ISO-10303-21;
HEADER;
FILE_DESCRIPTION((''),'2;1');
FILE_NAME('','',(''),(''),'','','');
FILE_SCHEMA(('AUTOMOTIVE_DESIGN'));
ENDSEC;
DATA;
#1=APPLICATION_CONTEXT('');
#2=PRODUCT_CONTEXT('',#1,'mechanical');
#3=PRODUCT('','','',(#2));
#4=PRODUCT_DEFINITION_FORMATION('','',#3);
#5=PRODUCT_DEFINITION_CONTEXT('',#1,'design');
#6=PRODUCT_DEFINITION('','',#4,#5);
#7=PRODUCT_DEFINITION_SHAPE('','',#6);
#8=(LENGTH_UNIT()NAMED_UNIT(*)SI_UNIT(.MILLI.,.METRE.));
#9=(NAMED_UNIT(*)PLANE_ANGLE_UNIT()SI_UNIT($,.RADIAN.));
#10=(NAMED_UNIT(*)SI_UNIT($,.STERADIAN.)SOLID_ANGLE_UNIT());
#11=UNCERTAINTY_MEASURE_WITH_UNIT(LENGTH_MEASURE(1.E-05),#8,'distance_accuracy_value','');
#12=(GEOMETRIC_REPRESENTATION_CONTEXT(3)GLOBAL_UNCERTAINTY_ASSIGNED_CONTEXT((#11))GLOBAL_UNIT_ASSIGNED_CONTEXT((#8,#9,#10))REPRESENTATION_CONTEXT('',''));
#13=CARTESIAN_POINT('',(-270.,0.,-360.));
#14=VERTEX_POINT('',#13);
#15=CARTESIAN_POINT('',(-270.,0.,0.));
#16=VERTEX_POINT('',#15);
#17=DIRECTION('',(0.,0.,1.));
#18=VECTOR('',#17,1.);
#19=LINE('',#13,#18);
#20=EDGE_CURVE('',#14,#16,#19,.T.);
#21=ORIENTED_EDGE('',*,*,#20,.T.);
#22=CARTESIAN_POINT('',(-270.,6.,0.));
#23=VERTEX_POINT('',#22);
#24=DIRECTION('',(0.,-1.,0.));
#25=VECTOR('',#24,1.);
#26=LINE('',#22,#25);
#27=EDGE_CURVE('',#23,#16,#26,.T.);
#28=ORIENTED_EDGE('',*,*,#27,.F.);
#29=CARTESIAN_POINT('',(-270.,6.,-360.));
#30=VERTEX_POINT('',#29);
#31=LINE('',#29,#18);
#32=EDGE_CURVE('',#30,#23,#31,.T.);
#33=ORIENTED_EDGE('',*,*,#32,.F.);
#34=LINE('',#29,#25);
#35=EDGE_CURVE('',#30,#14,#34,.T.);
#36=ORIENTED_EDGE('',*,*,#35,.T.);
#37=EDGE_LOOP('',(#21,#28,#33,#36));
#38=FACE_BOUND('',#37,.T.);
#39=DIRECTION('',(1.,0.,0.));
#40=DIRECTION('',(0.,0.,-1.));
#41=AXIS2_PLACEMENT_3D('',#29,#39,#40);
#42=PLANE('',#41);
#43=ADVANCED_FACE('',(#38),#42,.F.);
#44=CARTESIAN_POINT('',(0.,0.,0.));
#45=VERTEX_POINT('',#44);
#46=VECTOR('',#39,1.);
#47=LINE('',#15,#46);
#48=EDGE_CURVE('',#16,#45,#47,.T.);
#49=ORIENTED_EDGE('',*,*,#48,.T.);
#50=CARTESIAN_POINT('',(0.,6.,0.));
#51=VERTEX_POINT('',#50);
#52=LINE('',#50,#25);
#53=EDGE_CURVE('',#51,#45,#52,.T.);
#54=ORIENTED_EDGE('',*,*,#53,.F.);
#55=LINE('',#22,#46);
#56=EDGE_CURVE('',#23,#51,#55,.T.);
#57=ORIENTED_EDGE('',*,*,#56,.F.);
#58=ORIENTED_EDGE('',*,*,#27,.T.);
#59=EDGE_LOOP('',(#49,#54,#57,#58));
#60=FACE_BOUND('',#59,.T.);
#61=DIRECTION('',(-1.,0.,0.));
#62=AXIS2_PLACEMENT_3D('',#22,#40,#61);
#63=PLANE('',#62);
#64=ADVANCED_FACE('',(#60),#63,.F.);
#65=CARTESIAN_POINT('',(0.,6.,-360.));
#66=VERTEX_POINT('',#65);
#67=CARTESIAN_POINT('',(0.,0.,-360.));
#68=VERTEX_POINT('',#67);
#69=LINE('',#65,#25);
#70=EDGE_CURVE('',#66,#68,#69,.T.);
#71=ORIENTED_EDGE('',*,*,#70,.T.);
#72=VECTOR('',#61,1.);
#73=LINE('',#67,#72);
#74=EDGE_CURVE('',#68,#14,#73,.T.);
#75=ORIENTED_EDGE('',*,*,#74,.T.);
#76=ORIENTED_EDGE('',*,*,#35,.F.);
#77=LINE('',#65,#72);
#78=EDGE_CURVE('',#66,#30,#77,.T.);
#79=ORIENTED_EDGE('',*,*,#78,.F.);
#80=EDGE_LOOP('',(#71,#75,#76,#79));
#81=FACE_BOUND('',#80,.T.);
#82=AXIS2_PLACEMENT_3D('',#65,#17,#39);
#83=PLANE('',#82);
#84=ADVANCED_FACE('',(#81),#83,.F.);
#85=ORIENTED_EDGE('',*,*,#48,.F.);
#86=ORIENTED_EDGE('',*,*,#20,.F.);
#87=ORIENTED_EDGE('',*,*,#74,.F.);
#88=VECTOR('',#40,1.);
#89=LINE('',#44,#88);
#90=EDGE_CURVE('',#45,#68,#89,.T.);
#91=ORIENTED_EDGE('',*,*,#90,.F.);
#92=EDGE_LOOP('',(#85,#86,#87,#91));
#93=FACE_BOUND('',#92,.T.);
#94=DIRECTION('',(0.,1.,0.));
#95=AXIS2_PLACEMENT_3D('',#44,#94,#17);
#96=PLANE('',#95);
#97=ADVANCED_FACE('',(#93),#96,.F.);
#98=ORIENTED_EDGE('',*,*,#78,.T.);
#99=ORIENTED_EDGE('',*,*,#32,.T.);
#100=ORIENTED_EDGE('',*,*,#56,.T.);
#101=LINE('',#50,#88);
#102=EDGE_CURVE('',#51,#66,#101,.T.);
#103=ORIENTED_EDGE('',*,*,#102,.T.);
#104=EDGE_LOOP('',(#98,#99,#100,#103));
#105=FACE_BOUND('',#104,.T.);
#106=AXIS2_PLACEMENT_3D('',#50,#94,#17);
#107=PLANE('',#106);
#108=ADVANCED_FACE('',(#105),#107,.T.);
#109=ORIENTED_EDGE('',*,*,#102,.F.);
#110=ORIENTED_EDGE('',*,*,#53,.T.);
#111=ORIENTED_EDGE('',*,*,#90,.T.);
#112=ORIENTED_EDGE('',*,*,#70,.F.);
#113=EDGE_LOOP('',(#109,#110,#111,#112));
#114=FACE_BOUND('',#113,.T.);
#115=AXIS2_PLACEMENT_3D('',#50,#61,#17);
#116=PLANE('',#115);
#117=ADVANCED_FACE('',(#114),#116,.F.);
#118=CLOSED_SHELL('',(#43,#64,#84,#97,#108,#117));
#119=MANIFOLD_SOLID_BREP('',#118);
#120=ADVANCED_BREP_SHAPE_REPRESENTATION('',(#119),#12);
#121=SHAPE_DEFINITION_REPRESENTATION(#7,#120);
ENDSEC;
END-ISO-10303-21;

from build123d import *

# Parameters (mm, degrees)
ESBO_O1_W                = 270
ESBO_O1_H                = 360
RESSALTO_EXTRUS_O1_DEPTH = 6


with BuildPart() as part:
    # Esboço1 → Ressalto-extrusão1 (new body)
    with BuildSketch(Plane(origin=(0, 0, 0), x_dir=(1, 0, 0), z_dir=(0, 1, 0))):
        with Locations((-135, 180)):
            Rectangle(ESBO_O1_W, ESBO_O1_H)
    extrude(amount=RESSALTO_EXTRUS_O1_DEPTH)


solid = part.part
